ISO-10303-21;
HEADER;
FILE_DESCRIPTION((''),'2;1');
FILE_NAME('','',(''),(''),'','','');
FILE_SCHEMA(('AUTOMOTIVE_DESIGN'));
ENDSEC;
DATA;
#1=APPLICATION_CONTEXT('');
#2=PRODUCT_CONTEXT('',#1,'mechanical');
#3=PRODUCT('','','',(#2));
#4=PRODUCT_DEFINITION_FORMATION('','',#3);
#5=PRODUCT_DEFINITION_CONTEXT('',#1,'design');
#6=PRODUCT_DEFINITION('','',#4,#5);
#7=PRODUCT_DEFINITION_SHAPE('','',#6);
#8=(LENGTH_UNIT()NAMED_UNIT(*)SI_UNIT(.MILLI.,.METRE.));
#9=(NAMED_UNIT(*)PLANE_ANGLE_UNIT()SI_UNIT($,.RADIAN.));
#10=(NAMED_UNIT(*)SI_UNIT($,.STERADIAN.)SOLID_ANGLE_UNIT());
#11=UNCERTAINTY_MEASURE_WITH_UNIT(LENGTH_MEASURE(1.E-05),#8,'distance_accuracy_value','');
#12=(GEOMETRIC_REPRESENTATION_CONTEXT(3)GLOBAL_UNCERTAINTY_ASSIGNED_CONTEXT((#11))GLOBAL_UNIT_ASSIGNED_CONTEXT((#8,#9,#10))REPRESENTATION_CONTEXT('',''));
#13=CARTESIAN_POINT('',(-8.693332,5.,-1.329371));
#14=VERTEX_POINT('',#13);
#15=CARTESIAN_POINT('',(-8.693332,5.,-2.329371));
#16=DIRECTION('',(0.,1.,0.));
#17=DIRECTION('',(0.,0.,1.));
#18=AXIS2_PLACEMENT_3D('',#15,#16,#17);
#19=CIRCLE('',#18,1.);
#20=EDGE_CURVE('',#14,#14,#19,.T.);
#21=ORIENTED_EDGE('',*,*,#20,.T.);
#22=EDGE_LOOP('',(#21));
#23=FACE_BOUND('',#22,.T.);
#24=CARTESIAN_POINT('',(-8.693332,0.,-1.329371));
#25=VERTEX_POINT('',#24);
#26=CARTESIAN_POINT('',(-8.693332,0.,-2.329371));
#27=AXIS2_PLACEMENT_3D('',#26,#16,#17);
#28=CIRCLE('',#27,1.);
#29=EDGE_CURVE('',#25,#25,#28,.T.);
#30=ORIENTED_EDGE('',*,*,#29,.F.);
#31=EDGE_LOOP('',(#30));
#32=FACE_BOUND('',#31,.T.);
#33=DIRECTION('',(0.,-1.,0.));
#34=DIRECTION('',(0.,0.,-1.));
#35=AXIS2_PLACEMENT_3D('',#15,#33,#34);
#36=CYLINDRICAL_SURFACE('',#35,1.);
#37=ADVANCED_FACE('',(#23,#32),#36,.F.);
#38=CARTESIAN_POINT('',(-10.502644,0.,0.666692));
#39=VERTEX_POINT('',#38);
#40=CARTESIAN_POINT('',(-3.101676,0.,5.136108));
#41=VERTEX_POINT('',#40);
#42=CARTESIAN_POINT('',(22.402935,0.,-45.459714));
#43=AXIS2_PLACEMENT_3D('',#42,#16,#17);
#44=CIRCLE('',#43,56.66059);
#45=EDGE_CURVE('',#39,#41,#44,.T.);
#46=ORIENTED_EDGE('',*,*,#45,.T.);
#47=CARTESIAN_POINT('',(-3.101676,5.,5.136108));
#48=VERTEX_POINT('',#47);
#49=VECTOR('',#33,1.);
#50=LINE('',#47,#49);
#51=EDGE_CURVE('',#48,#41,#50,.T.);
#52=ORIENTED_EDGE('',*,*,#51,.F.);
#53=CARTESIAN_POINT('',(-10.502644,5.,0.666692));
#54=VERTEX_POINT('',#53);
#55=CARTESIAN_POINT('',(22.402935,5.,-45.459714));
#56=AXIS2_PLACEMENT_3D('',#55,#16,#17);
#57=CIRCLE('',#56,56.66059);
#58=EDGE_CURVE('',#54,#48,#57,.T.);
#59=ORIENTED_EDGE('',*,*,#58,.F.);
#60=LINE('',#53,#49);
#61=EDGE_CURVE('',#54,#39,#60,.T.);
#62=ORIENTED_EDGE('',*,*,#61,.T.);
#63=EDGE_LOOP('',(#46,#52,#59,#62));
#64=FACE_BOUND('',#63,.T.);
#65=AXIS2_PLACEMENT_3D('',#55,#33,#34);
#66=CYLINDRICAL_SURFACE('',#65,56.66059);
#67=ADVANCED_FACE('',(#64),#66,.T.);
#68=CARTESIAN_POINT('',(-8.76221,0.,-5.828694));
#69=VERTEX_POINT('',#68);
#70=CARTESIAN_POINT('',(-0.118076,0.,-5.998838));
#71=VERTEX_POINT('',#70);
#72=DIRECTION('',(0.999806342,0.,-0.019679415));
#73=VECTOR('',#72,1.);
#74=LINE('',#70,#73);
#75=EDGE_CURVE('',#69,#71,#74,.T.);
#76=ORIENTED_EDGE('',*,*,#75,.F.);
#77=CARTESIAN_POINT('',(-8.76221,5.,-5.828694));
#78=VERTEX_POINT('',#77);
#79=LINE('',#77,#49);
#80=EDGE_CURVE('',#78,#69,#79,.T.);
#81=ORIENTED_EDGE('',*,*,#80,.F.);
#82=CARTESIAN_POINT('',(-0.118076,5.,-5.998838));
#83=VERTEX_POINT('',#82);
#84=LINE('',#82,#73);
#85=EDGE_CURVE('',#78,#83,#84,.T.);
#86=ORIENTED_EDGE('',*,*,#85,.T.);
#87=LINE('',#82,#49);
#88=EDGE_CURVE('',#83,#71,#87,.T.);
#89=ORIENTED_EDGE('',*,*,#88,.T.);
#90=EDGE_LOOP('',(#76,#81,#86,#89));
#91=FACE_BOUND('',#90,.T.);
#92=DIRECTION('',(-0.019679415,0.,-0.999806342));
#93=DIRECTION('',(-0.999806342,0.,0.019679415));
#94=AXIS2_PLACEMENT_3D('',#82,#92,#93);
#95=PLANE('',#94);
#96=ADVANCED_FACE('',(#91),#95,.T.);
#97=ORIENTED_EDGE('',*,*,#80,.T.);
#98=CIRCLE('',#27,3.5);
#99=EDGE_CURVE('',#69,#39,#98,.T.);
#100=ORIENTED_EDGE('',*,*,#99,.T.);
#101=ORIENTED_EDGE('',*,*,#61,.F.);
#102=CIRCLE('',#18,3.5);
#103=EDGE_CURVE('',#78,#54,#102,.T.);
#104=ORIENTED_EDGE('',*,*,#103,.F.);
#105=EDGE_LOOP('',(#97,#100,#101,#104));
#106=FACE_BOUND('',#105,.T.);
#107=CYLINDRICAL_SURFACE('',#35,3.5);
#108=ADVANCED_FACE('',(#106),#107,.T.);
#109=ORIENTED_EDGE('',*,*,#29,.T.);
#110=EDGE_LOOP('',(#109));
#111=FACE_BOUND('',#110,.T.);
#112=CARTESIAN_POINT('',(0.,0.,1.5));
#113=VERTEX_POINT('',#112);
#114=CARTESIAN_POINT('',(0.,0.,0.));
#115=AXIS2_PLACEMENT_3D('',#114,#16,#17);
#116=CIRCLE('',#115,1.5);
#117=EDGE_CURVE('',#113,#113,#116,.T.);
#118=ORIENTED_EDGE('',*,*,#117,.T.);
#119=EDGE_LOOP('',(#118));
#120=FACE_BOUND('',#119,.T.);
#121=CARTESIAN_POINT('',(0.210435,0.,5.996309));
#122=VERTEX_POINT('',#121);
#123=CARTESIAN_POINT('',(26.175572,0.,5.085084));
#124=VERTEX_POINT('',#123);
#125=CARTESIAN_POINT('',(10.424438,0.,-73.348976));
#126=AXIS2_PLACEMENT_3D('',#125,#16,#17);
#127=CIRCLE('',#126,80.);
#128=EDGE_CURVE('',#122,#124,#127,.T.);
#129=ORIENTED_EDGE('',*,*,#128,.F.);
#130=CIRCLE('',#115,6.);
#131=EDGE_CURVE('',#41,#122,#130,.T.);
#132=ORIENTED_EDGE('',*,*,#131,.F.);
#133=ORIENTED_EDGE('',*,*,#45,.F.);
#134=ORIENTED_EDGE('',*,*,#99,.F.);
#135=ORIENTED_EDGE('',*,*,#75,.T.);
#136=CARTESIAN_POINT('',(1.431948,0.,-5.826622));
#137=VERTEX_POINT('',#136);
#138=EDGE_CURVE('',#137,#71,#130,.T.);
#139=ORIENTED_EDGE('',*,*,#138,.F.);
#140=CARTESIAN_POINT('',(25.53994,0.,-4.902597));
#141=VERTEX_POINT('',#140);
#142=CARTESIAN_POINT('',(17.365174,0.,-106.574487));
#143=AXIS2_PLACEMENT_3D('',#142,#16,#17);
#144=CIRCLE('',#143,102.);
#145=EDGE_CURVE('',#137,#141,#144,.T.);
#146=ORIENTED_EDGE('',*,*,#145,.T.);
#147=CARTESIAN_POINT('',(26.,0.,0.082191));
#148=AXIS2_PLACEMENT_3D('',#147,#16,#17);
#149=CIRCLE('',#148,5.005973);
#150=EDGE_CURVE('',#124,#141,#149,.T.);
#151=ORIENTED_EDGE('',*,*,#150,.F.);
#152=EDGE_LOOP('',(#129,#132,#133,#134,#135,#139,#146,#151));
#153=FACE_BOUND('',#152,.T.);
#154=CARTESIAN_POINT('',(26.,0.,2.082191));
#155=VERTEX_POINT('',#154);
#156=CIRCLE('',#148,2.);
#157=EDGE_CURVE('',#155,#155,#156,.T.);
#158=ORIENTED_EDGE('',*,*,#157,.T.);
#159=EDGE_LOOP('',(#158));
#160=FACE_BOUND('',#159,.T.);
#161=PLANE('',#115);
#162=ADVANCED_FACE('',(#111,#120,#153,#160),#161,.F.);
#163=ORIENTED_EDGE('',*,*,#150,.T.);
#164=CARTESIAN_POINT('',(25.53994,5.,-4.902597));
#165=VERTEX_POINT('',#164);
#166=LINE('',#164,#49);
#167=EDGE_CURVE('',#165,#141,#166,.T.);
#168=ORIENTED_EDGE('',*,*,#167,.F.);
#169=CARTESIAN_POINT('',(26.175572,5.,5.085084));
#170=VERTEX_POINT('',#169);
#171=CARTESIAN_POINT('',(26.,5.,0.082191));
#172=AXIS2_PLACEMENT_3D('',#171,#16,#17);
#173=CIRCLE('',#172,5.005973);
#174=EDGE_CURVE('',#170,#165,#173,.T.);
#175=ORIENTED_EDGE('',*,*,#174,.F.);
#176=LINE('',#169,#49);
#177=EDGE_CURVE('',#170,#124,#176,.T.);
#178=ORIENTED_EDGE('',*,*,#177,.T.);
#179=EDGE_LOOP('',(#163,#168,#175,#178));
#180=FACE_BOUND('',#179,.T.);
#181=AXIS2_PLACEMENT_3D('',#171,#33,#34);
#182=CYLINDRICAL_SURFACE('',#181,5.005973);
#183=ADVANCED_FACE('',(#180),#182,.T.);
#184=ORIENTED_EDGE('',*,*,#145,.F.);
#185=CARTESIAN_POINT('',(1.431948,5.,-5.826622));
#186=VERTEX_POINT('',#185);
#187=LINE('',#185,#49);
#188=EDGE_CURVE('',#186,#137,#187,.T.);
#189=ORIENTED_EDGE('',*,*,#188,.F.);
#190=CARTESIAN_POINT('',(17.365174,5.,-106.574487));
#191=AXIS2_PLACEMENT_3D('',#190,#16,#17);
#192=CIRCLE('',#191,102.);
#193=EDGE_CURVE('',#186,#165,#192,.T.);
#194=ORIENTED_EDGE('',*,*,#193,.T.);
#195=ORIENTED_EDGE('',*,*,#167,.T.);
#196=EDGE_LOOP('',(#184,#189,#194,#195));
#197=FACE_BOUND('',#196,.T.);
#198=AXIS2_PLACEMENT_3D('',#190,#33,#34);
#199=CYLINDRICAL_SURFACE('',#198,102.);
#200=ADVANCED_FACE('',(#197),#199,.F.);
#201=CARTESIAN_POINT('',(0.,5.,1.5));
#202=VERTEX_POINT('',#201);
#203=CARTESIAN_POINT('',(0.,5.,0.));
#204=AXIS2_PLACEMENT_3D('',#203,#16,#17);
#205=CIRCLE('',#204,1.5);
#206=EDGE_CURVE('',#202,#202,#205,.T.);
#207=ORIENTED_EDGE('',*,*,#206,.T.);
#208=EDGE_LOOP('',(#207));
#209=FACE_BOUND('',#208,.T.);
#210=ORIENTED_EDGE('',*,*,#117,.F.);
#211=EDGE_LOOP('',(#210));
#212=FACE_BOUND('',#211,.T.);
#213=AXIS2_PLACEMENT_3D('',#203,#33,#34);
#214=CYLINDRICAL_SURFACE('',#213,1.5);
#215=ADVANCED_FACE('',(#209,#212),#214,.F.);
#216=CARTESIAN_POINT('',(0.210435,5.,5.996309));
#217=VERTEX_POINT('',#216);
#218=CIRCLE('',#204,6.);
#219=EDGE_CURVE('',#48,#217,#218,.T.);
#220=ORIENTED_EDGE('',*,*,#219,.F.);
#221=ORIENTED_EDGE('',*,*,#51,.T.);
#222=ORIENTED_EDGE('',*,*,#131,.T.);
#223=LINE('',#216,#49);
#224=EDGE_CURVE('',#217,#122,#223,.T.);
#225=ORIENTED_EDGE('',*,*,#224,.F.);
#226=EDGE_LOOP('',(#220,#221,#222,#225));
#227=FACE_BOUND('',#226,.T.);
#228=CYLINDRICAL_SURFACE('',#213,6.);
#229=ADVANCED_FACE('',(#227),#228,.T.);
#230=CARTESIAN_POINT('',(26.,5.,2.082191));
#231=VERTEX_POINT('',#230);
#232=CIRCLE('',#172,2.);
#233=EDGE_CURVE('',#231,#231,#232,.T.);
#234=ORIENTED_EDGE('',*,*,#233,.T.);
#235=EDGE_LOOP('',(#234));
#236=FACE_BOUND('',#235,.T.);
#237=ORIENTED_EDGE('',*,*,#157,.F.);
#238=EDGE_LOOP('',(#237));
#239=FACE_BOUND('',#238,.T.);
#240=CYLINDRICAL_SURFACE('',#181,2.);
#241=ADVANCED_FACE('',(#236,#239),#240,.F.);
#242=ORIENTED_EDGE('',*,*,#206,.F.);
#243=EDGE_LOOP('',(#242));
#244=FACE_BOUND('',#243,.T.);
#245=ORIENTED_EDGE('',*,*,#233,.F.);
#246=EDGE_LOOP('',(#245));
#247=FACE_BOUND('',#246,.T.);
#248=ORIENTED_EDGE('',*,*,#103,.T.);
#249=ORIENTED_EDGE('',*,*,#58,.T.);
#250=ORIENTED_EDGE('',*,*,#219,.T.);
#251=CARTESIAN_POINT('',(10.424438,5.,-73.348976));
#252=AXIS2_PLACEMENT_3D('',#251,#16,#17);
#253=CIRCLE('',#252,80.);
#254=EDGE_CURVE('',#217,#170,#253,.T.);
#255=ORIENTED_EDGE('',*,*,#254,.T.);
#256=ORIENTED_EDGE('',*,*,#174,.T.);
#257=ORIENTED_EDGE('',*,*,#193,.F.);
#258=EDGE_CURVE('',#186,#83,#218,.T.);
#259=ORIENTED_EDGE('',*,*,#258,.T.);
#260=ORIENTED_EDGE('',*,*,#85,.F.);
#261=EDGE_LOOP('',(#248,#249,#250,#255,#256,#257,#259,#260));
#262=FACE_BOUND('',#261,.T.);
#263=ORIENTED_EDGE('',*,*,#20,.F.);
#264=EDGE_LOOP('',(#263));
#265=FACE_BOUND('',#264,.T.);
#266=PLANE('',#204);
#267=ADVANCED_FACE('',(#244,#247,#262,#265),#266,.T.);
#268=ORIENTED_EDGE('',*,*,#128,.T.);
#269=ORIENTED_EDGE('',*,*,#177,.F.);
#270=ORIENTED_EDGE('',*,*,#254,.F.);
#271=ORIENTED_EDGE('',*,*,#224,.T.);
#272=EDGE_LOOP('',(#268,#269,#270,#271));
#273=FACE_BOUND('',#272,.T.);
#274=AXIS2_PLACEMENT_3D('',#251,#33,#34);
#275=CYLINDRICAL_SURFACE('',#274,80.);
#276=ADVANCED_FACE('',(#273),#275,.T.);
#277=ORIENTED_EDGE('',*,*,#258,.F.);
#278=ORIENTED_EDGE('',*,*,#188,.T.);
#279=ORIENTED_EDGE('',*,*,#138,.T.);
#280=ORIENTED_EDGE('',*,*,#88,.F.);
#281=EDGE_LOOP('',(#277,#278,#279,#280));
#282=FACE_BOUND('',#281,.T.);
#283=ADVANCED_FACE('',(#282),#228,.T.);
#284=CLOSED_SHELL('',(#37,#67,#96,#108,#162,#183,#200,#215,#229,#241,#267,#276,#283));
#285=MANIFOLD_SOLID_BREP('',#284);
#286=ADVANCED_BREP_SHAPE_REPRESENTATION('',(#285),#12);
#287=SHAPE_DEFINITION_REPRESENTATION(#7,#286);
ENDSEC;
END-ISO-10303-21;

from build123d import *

# Parameters (mm, degrees)
SKETCH1_R           = 1.5
SKETCH1_R_2         = 2
SKETCH1_R_3         = 1
BOSS_EXTRUDE1_DEPTH = 5


with BuildPart() as part:
    # Sketch1 → Boss-Extrude1 (new body)
    with BuildSketch(Plane(origin=(0, 0, 0), x_dir=(1, 0, 0), z_dir=(0, 1, 0))):
        with BuildLine():
            Line((-8.762210389, 5.828693601), (-0.11807649, 5.998838049))
            ThreePointArc((-0.11807649, 5.998838049), (0.662554919, 5.963306212), (1.431947779, 5.82662214))
            ThreePointArc((1.431947779, 5.82662214), (13.458528139, 4.649327756), (25.539939967, 4.902597239))
            ThreePointArc((25.539939967, 4.902597239), (30.995866152, 0.235754194), (26.175572284, -5.085084233))
            ThreePointArc((26.175572284, -5.085084233), (13.230242543, -6.601805731), (0.210435347, -5.996308612))
            ThreePointArc((0.210435347, -5.996308612), (-1.508245613, -5.807339767), (-3.101676264, -5.136107899))
            ThreePointArc((-3.101676264, -5.136107899), (-6.887532568, -3.042769433), (-10.502643591, -0.666691535))
            ThreePointArc((-10.502643591, -0.666691535), (-12.074072829, 3.235238064), (-8.762210389, 5.828693601))
        make_face()
        Circle(SKETCH1_R, mode=Mode.SUBTRACT)
        with Locations((26, -0.082190865)):
            Circle(SKETCH1_R_2, mode=Mode.SUBTRACT)
        with Locations((-8.693332437, 2.329371406)):
            Circle(SKETCH1_R_3, mode=Mode.SUBTRACT)
    extrude(amount=BOSS_EXTRUDE1_DEPTH)


solid = part.part
